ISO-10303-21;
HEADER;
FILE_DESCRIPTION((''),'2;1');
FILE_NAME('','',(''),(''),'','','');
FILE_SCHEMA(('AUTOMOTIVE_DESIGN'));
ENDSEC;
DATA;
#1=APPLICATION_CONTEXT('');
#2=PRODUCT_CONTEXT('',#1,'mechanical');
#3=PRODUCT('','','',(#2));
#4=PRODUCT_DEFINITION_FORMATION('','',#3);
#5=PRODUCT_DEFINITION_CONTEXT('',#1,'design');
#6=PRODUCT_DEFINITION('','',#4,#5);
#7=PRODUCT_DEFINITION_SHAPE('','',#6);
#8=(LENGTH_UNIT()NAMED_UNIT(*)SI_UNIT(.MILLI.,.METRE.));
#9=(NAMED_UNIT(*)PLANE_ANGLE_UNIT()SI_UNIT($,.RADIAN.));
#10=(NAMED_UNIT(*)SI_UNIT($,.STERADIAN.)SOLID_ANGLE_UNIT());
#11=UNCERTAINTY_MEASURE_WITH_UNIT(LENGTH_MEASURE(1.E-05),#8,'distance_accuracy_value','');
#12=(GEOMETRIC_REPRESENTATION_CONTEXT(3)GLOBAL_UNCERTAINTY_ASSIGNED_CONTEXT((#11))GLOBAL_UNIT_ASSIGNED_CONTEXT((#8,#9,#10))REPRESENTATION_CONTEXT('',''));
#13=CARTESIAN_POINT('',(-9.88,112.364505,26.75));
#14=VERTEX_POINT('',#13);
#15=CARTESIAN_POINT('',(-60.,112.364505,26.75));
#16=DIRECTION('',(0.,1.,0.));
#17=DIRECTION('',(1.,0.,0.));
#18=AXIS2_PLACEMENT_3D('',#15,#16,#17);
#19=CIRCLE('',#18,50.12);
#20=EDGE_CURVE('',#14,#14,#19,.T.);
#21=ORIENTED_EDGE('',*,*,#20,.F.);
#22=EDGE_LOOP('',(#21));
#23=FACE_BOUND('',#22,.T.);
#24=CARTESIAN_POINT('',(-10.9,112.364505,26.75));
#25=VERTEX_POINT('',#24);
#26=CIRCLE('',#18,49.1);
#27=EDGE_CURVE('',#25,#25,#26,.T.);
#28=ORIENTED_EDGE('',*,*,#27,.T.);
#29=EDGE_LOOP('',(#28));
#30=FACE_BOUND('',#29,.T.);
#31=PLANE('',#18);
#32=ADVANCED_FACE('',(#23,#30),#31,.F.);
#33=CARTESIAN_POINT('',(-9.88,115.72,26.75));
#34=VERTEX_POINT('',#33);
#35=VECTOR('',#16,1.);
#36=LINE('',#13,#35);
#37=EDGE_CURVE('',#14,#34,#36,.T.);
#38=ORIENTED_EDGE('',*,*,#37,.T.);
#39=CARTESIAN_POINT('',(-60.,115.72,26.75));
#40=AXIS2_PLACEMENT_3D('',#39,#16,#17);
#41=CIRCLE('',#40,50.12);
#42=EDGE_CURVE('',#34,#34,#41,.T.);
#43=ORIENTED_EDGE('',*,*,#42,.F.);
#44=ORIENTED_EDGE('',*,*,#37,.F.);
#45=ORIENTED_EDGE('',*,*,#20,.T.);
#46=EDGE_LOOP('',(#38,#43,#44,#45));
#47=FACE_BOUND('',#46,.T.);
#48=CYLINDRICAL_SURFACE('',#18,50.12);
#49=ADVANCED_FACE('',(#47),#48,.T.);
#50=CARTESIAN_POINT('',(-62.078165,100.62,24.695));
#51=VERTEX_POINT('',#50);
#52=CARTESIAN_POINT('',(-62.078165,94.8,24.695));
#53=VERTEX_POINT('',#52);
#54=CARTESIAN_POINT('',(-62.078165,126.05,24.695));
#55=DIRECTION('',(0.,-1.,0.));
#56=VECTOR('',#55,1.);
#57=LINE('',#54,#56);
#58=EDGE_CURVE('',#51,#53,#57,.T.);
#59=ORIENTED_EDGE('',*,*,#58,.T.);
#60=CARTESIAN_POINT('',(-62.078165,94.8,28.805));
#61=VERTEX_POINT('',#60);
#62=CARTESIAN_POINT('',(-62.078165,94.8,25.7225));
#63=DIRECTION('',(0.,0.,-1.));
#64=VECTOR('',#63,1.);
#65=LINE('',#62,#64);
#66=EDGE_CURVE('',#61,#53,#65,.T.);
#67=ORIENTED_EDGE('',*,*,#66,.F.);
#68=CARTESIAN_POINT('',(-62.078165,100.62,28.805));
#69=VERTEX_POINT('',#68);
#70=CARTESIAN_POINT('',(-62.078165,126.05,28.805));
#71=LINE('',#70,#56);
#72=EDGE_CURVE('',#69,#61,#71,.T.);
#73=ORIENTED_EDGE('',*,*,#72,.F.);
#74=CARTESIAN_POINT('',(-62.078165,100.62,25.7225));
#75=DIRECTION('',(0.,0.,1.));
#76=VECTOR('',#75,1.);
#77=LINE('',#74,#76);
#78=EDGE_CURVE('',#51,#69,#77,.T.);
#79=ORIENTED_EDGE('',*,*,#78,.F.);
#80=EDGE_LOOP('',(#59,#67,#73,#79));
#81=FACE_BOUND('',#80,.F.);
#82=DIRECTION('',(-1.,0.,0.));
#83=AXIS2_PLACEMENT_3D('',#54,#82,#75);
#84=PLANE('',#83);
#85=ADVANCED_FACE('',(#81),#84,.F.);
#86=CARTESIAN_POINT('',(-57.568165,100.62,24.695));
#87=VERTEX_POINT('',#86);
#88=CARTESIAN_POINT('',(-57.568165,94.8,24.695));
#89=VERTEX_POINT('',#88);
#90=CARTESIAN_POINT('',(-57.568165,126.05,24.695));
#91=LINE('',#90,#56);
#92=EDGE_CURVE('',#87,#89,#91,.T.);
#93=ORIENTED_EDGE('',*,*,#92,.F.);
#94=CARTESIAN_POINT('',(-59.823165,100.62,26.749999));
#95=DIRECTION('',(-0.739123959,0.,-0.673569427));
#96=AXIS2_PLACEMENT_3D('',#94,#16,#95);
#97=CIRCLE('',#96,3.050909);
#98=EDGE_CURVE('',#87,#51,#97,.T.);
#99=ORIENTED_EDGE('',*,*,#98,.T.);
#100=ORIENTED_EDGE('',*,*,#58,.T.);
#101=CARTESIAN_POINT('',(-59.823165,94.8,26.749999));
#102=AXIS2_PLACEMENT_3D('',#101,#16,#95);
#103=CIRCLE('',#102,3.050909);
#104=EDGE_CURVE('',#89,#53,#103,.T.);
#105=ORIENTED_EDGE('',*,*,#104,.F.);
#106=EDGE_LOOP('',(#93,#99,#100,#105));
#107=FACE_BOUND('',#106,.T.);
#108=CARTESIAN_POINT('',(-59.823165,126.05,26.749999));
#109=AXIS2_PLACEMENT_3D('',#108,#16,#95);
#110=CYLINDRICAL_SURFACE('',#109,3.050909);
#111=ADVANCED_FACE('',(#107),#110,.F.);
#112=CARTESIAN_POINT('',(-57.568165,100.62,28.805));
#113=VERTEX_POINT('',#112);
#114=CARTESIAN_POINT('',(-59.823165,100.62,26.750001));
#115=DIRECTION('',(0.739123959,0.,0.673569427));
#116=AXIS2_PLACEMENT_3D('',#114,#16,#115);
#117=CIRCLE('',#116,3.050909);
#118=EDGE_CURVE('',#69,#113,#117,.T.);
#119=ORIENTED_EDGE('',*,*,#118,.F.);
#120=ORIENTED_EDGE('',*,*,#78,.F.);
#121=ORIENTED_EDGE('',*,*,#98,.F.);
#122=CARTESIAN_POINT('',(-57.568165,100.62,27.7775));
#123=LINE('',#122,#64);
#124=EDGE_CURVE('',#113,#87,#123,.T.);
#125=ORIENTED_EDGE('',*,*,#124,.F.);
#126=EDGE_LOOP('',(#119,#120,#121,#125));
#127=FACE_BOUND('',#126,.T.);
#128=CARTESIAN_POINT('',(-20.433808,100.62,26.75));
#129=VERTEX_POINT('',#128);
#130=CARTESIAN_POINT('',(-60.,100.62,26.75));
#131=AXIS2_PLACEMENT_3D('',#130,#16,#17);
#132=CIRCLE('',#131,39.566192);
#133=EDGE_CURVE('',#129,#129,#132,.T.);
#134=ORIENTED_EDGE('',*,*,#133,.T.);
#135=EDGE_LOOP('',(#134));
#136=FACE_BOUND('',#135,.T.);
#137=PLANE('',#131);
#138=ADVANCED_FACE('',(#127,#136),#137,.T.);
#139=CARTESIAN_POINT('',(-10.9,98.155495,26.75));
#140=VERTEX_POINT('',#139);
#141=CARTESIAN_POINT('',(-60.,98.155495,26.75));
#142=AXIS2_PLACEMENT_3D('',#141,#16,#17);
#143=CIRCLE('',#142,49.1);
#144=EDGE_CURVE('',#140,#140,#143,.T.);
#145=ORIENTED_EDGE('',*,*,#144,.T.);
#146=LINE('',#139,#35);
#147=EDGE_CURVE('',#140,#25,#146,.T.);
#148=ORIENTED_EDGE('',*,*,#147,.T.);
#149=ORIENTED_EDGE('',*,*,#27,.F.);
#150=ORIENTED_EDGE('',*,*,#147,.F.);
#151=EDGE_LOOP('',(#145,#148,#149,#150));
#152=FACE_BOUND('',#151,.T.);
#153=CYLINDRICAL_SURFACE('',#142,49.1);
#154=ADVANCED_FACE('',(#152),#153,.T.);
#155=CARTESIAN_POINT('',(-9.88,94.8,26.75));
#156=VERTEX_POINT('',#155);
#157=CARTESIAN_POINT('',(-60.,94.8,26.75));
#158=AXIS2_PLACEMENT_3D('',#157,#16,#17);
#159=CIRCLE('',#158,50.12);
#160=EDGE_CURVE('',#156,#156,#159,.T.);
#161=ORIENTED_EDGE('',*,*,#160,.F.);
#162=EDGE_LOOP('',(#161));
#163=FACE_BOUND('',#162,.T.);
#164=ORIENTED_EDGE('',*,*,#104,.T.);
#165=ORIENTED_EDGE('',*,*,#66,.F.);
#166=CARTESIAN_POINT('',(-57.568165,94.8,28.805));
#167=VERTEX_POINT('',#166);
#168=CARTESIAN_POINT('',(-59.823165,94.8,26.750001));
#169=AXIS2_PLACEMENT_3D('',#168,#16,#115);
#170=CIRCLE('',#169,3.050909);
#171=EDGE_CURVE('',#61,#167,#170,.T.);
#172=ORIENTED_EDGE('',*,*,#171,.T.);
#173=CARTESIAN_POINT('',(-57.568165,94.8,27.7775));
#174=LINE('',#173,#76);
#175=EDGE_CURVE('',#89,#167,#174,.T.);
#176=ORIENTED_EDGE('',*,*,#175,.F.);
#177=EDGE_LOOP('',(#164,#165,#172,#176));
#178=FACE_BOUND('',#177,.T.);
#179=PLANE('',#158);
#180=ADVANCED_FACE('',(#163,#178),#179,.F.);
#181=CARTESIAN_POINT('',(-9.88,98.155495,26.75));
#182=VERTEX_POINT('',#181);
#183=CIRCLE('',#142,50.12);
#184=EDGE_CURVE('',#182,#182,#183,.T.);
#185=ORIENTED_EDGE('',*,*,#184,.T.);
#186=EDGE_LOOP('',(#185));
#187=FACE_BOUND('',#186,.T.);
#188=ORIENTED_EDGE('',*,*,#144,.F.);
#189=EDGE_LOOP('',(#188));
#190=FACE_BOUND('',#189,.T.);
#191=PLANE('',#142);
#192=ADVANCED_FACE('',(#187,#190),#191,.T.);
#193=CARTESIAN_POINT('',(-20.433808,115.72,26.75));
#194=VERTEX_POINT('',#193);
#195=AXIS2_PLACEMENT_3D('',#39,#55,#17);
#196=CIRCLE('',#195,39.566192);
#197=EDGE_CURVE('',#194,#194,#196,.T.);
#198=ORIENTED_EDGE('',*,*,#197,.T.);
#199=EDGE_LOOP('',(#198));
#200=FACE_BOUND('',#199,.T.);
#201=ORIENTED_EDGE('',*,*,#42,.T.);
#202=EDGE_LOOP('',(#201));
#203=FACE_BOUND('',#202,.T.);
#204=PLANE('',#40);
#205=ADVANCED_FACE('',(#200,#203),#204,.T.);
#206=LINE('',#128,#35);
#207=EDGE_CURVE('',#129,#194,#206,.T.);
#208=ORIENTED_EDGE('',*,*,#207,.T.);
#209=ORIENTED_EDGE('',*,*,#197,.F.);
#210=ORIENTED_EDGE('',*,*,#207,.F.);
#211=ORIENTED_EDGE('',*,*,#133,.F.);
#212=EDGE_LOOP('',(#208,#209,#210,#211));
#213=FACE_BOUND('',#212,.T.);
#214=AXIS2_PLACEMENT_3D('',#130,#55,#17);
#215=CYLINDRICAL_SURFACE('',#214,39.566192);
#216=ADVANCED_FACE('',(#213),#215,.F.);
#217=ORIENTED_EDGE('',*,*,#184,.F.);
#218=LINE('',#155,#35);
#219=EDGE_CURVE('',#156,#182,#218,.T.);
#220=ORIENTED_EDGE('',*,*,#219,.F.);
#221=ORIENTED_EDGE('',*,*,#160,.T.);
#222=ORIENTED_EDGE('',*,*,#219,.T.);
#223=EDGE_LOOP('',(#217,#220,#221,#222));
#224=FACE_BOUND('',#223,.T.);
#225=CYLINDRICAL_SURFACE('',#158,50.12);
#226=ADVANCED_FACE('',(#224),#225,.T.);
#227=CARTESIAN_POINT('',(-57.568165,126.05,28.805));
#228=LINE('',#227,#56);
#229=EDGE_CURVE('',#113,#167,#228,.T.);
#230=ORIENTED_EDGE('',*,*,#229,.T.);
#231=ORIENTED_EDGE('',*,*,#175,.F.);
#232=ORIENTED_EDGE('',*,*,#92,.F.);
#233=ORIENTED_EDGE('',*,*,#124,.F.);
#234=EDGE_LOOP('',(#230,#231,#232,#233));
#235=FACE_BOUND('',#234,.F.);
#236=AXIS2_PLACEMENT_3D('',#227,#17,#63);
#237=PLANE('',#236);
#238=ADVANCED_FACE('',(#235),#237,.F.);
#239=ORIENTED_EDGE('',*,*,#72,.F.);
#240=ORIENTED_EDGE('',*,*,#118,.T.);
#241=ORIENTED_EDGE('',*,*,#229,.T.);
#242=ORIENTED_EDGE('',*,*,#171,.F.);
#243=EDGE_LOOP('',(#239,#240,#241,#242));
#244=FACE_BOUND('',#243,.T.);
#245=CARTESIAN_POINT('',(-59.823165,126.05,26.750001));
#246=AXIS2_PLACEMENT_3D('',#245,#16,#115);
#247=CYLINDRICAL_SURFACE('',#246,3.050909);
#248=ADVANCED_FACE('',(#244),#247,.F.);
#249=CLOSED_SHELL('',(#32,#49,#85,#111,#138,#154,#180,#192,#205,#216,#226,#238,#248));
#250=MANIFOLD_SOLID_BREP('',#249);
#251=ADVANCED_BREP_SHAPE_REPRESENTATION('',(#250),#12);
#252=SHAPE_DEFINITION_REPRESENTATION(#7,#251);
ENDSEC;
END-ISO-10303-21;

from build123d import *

# Parameters (mm, degrees)
EXTRUDE198_DEPTH           = 40
EXTRUDE198_ROLL_ANGLE      = -90
EXTRUDE198_PLACEMENT_ANGLE = 90
SKETCH181_R                = 39.566192
EXTRUDE197_DEPTH           = 20
CUT124_PLACEMENT_ANGLE     = 270


with BuildPart() as pieza_clave_motor011:
    # Sketch182 → Extrude198 (new body)
    with BuildSketch(Plane(origin=(0, -17.4, 11), x_dir=(-1, 0, 0), z_dir=(0, 1, 0))):
        with BuildLine():
            Line((-2.055, -8.921835), (2.055, -8.921835))
            ThreePointArc((2.055, -13.431835), (3.05091, -11.176835), (2.055, -8.921835))
            Line((2.055, -13.431835), (-2.055, -13.431835))
            ThreePointArc((-2.055, -8.921835), (-3.05091, -11.176835), (-2.055, -13.431835))
        make_face()
    extrude(amount=EXTRUDE198_DEPTH)


with BuildPart() as pieza_clave_motor011_1:
    # Extrude198 roll: moved
    add(pieza_clave_motor011.part.rotate(Axis((0, 0, 0), (1, 0, 0)), EXTRUDE198_ROLL_ANGLE))


with BuildPart() as pieza_clave_motor011_2:
    # Extrude198 placement: moved
    add(pieza_clave_motor011_1.part.moved(Location((0, 0, 13.85))).rotate(Axis((0, 0, 13.85), (0, 0, 1)), EXTRUDE198_PLACEMENT_ANGLE))


with BuildPart() as extrude197:
    # Sketch181 (on Face7 of Revolve004) → Extrude197 (new body)
    with BuildSketch(Plane.XY.offset(20.92)):
        Circle(SKETCH181_R)
    extrude(amount=EXTRUDE197_DEPTH)


with BuildPart() as extrude197_1:
    # Extrude197 placement: moved
    add(extrude197.part.moved(Location((0, 0, -15.1))))


with BuildPart() as rueda_trasera001:
    # Sketch180 → Revolve004 (revolve)
    with BuildSketch(Plane.XZ):
        Polygon((0, 0), (50.12, 0), (50.12, 3.355495), (49.1, 3.355495), (49.1, 17.564505), (50.12, 17.564505), (50.12, 20.92), (0, 20.92), align=None)
    revolve(axis=Axis((0, 0, 0), (0, 0, 1)))

    # Cut125: cut Extrude197
    add(extrude197_1.part, mode=Mode.SUBTRACT)

    # Cut124: cut Pieza Clave motor011
    add(pieza_clave_motor011_2.part, mode=Mode.SUBTRACT)


with BuildPart() as rueda_trasera001_1:
    # Cut124 placement: moved
    add(rueda_trasera001.part.moved(Location((-60, 94.8, 26.75))).rotate(Axis((-60, 94.8, 26.75), (1, 0, 0)), CUT124_PLACEMENT_ANGLE))


solid = rueda_trasera001_1.part
